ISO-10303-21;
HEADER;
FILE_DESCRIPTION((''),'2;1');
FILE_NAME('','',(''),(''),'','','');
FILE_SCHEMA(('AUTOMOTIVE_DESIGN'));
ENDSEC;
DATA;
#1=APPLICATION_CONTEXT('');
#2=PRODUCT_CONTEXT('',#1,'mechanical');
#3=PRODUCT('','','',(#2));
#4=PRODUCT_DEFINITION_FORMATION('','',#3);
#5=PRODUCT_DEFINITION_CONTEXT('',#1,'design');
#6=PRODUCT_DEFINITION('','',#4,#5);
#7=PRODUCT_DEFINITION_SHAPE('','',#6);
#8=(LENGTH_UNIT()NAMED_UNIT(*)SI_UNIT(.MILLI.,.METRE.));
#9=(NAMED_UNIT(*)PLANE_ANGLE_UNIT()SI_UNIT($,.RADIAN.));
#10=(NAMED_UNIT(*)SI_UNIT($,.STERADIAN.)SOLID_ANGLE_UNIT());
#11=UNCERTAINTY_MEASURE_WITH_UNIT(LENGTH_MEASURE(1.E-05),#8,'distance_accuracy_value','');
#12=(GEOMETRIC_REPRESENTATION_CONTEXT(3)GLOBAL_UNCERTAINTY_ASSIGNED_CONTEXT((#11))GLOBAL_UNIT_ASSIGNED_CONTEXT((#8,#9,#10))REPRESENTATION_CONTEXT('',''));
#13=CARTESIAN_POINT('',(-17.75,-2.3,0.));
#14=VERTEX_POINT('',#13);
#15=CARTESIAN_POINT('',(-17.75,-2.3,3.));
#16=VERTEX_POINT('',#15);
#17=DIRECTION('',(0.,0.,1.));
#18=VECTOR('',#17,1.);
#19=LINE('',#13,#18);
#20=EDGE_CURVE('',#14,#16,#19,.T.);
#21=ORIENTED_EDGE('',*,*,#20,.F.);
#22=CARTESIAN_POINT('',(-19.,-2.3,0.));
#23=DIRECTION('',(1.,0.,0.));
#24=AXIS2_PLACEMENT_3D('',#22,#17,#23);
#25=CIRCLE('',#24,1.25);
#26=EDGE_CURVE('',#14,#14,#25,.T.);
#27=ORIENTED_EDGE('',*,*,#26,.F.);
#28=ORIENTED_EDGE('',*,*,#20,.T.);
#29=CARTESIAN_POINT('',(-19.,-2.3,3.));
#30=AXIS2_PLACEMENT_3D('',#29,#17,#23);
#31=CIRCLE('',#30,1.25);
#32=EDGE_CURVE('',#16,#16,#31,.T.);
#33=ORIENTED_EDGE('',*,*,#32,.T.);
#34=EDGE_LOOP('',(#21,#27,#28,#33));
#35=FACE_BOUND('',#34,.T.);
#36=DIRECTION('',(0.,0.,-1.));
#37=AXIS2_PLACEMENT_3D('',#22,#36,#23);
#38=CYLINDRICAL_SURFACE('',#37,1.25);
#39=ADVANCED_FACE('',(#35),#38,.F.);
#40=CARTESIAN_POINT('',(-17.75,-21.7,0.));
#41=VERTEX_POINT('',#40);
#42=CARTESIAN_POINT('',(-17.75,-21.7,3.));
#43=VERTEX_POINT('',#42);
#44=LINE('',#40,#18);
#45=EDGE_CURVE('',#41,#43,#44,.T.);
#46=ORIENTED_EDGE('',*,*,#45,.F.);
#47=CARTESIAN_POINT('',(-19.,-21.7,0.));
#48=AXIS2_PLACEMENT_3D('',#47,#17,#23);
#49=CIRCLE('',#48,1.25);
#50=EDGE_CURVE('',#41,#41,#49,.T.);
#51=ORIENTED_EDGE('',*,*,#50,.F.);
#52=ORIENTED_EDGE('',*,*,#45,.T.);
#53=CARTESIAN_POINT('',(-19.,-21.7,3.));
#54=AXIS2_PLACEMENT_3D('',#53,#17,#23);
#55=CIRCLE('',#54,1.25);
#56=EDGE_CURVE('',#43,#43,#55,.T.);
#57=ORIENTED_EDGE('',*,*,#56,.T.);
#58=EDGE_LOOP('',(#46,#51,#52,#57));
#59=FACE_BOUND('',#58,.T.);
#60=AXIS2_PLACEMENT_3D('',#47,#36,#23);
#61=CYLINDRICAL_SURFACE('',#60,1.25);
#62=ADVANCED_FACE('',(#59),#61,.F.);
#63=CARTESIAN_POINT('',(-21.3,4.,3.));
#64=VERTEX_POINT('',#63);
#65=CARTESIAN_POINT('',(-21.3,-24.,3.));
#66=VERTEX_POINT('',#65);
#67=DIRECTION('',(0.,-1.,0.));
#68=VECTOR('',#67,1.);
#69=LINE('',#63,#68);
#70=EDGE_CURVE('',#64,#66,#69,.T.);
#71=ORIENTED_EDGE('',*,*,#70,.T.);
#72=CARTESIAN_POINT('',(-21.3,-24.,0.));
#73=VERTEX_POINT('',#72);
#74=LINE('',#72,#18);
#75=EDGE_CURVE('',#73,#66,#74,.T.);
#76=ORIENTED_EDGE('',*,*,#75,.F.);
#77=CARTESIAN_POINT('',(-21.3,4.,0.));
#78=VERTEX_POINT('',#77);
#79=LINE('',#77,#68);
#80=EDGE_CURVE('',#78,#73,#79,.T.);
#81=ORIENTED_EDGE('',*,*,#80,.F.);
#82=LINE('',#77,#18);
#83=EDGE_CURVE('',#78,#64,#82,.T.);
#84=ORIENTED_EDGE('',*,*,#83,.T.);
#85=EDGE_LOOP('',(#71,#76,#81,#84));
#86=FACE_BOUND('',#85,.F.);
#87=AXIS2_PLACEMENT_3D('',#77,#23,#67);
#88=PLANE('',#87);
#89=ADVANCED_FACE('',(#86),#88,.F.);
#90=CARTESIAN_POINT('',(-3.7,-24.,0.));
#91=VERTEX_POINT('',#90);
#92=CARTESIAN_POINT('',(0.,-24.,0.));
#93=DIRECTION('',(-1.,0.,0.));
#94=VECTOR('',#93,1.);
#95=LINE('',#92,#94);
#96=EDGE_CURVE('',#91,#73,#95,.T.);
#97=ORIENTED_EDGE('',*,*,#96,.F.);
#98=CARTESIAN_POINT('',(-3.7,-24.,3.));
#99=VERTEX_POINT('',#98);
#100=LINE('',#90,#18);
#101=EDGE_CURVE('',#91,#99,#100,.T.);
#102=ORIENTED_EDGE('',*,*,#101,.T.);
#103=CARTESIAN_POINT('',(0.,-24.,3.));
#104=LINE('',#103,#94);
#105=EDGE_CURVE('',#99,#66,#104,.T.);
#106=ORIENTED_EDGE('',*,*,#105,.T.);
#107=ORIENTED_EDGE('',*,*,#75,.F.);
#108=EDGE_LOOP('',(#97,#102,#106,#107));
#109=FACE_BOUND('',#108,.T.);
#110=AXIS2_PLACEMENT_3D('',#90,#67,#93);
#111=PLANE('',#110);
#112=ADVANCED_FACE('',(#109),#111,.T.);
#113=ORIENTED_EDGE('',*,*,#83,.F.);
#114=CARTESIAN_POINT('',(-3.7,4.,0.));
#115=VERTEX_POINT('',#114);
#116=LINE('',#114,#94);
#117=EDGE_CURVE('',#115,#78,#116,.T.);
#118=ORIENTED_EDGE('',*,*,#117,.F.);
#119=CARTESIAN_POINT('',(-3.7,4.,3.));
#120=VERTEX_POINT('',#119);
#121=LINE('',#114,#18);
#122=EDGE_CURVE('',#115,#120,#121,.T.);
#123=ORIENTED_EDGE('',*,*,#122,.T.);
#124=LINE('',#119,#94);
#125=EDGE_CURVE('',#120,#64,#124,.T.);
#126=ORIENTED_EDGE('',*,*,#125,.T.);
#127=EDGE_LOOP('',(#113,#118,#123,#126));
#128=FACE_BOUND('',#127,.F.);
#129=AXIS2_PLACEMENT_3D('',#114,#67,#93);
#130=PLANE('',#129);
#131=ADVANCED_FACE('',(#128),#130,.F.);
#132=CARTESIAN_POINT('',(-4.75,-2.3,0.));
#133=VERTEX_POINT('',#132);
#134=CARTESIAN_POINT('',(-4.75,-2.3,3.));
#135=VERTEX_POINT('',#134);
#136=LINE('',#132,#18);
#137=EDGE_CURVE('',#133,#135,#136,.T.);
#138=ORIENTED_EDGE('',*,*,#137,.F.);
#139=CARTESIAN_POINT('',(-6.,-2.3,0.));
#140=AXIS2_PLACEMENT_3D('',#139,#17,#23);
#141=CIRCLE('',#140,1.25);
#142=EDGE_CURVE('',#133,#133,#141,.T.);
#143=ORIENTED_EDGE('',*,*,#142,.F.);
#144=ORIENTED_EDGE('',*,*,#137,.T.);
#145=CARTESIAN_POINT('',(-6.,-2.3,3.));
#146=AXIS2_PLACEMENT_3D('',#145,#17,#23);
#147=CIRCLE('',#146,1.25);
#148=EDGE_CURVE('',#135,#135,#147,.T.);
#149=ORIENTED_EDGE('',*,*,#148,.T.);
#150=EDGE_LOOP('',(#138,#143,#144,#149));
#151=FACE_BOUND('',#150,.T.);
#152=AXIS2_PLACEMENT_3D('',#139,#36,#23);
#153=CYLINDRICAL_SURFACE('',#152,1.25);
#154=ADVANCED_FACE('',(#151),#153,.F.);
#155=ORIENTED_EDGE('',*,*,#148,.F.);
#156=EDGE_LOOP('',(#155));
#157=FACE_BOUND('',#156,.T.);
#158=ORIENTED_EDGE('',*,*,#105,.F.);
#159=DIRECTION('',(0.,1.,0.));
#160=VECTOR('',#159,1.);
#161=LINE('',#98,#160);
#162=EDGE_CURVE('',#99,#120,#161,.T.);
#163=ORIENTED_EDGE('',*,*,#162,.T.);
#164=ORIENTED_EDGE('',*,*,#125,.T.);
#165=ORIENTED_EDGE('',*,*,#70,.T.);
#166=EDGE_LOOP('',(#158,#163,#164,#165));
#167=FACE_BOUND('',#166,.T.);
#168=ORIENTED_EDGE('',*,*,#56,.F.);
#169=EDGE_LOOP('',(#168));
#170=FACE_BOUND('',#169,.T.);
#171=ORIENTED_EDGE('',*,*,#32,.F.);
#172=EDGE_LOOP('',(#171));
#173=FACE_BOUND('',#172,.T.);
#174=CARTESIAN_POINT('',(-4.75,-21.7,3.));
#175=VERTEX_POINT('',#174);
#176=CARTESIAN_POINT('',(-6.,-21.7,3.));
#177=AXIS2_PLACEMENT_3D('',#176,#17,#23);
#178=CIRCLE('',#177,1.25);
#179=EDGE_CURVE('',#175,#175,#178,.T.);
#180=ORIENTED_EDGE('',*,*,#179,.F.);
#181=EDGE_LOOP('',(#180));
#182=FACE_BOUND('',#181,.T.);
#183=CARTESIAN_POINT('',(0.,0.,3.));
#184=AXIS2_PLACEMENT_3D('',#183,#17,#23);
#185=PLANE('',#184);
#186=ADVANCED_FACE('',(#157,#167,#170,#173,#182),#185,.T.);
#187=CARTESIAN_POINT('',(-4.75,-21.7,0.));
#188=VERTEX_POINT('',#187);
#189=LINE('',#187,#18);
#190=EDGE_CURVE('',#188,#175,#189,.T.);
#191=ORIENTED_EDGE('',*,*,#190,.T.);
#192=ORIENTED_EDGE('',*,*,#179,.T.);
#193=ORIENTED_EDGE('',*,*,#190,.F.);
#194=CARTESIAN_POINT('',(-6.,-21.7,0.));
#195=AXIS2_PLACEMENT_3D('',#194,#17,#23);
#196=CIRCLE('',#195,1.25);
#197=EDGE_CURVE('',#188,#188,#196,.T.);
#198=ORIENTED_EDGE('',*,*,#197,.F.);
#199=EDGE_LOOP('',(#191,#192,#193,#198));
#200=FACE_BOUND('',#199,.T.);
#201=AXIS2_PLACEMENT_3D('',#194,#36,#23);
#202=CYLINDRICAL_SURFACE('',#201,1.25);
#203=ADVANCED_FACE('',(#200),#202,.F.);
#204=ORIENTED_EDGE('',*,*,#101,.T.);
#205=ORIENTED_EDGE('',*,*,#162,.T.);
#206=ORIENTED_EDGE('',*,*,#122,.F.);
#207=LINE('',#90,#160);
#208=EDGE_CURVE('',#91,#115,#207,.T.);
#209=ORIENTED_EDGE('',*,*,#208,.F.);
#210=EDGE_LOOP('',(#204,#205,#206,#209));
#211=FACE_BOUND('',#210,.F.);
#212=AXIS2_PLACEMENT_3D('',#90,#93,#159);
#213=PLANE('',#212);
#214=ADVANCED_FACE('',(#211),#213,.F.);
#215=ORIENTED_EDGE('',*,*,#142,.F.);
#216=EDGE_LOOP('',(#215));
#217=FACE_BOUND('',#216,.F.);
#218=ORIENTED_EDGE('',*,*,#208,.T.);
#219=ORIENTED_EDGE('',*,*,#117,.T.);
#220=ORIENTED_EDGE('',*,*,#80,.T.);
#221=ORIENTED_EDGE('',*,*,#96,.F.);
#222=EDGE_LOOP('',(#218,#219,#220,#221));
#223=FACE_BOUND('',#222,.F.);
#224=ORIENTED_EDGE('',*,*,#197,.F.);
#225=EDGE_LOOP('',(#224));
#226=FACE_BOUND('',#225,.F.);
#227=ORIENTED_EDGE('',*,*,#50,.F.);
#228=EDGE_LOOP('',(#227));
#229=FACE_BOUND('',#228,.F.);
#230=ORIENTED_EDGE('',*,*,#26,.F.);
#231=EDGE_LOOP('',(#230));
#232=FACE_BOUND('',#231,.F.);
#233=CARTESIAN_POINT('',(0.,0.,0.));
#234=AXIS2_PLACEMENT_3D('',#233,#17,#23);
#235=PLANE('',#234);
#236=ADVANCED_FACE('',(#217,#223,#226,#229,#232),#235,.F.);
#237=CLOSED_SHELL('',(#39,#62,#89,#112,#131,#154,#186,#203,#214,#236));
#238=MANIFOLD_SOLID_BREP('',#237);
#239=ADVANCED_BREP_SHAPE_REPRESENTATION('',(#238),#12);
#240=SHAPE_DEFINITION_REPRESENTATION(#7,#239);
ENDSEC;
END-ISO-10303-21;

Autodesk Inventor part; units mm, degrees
ref_plane "YZ Plane" through (0, 0, 0) normal (1, 0, 0) x (0, 1, 0)
ref_plane "XZ Plane" through (0, 0, 0) normal (0, 1, 0) x (-1, 0, 0)
ref_plane "XY Plane" through (0, 0, 0) normal (0, 0, 1) x (1, 0, 0)
ref_plane "作業平面1" through (0, 0, 0) normal (0, 0, 1) x (1, 0, 0)
sketch "スケッチ1" plane through (0, 0, 0) normal (0, 0, 1) x (1, 0, 0)
  circle A0 centre (-6, -21.7) radius 1.25 projected
  circle A1 centre (-19, -21.7) radius 1.25 projected
  circle A2 centre (-19, -2.3) radius 1.25 projected
  circle A3 centre (-6, -2.3) radius 1.25 projected
  line L0 (0, -24) -> (-27.3, -24) projected
  line L1 (-3.7, -24) -> (-3.7, 4)
  line L2 (-3.7, 4) -> (-21.3, 4)
  line L3 (-21.3, 4) -> (-21.3, -24)
  circle A4 centre (-6, -21.7) radius 2.3 construction
  circle A5 centre (-19, -21.7) radius 2.3 construction
  point P0 (0, 0)
  dimension "d0" = 28
extrude "押し出し1" add sketch "スケッチ1" along normal blind 3
properties part number "KickerMount_R"
